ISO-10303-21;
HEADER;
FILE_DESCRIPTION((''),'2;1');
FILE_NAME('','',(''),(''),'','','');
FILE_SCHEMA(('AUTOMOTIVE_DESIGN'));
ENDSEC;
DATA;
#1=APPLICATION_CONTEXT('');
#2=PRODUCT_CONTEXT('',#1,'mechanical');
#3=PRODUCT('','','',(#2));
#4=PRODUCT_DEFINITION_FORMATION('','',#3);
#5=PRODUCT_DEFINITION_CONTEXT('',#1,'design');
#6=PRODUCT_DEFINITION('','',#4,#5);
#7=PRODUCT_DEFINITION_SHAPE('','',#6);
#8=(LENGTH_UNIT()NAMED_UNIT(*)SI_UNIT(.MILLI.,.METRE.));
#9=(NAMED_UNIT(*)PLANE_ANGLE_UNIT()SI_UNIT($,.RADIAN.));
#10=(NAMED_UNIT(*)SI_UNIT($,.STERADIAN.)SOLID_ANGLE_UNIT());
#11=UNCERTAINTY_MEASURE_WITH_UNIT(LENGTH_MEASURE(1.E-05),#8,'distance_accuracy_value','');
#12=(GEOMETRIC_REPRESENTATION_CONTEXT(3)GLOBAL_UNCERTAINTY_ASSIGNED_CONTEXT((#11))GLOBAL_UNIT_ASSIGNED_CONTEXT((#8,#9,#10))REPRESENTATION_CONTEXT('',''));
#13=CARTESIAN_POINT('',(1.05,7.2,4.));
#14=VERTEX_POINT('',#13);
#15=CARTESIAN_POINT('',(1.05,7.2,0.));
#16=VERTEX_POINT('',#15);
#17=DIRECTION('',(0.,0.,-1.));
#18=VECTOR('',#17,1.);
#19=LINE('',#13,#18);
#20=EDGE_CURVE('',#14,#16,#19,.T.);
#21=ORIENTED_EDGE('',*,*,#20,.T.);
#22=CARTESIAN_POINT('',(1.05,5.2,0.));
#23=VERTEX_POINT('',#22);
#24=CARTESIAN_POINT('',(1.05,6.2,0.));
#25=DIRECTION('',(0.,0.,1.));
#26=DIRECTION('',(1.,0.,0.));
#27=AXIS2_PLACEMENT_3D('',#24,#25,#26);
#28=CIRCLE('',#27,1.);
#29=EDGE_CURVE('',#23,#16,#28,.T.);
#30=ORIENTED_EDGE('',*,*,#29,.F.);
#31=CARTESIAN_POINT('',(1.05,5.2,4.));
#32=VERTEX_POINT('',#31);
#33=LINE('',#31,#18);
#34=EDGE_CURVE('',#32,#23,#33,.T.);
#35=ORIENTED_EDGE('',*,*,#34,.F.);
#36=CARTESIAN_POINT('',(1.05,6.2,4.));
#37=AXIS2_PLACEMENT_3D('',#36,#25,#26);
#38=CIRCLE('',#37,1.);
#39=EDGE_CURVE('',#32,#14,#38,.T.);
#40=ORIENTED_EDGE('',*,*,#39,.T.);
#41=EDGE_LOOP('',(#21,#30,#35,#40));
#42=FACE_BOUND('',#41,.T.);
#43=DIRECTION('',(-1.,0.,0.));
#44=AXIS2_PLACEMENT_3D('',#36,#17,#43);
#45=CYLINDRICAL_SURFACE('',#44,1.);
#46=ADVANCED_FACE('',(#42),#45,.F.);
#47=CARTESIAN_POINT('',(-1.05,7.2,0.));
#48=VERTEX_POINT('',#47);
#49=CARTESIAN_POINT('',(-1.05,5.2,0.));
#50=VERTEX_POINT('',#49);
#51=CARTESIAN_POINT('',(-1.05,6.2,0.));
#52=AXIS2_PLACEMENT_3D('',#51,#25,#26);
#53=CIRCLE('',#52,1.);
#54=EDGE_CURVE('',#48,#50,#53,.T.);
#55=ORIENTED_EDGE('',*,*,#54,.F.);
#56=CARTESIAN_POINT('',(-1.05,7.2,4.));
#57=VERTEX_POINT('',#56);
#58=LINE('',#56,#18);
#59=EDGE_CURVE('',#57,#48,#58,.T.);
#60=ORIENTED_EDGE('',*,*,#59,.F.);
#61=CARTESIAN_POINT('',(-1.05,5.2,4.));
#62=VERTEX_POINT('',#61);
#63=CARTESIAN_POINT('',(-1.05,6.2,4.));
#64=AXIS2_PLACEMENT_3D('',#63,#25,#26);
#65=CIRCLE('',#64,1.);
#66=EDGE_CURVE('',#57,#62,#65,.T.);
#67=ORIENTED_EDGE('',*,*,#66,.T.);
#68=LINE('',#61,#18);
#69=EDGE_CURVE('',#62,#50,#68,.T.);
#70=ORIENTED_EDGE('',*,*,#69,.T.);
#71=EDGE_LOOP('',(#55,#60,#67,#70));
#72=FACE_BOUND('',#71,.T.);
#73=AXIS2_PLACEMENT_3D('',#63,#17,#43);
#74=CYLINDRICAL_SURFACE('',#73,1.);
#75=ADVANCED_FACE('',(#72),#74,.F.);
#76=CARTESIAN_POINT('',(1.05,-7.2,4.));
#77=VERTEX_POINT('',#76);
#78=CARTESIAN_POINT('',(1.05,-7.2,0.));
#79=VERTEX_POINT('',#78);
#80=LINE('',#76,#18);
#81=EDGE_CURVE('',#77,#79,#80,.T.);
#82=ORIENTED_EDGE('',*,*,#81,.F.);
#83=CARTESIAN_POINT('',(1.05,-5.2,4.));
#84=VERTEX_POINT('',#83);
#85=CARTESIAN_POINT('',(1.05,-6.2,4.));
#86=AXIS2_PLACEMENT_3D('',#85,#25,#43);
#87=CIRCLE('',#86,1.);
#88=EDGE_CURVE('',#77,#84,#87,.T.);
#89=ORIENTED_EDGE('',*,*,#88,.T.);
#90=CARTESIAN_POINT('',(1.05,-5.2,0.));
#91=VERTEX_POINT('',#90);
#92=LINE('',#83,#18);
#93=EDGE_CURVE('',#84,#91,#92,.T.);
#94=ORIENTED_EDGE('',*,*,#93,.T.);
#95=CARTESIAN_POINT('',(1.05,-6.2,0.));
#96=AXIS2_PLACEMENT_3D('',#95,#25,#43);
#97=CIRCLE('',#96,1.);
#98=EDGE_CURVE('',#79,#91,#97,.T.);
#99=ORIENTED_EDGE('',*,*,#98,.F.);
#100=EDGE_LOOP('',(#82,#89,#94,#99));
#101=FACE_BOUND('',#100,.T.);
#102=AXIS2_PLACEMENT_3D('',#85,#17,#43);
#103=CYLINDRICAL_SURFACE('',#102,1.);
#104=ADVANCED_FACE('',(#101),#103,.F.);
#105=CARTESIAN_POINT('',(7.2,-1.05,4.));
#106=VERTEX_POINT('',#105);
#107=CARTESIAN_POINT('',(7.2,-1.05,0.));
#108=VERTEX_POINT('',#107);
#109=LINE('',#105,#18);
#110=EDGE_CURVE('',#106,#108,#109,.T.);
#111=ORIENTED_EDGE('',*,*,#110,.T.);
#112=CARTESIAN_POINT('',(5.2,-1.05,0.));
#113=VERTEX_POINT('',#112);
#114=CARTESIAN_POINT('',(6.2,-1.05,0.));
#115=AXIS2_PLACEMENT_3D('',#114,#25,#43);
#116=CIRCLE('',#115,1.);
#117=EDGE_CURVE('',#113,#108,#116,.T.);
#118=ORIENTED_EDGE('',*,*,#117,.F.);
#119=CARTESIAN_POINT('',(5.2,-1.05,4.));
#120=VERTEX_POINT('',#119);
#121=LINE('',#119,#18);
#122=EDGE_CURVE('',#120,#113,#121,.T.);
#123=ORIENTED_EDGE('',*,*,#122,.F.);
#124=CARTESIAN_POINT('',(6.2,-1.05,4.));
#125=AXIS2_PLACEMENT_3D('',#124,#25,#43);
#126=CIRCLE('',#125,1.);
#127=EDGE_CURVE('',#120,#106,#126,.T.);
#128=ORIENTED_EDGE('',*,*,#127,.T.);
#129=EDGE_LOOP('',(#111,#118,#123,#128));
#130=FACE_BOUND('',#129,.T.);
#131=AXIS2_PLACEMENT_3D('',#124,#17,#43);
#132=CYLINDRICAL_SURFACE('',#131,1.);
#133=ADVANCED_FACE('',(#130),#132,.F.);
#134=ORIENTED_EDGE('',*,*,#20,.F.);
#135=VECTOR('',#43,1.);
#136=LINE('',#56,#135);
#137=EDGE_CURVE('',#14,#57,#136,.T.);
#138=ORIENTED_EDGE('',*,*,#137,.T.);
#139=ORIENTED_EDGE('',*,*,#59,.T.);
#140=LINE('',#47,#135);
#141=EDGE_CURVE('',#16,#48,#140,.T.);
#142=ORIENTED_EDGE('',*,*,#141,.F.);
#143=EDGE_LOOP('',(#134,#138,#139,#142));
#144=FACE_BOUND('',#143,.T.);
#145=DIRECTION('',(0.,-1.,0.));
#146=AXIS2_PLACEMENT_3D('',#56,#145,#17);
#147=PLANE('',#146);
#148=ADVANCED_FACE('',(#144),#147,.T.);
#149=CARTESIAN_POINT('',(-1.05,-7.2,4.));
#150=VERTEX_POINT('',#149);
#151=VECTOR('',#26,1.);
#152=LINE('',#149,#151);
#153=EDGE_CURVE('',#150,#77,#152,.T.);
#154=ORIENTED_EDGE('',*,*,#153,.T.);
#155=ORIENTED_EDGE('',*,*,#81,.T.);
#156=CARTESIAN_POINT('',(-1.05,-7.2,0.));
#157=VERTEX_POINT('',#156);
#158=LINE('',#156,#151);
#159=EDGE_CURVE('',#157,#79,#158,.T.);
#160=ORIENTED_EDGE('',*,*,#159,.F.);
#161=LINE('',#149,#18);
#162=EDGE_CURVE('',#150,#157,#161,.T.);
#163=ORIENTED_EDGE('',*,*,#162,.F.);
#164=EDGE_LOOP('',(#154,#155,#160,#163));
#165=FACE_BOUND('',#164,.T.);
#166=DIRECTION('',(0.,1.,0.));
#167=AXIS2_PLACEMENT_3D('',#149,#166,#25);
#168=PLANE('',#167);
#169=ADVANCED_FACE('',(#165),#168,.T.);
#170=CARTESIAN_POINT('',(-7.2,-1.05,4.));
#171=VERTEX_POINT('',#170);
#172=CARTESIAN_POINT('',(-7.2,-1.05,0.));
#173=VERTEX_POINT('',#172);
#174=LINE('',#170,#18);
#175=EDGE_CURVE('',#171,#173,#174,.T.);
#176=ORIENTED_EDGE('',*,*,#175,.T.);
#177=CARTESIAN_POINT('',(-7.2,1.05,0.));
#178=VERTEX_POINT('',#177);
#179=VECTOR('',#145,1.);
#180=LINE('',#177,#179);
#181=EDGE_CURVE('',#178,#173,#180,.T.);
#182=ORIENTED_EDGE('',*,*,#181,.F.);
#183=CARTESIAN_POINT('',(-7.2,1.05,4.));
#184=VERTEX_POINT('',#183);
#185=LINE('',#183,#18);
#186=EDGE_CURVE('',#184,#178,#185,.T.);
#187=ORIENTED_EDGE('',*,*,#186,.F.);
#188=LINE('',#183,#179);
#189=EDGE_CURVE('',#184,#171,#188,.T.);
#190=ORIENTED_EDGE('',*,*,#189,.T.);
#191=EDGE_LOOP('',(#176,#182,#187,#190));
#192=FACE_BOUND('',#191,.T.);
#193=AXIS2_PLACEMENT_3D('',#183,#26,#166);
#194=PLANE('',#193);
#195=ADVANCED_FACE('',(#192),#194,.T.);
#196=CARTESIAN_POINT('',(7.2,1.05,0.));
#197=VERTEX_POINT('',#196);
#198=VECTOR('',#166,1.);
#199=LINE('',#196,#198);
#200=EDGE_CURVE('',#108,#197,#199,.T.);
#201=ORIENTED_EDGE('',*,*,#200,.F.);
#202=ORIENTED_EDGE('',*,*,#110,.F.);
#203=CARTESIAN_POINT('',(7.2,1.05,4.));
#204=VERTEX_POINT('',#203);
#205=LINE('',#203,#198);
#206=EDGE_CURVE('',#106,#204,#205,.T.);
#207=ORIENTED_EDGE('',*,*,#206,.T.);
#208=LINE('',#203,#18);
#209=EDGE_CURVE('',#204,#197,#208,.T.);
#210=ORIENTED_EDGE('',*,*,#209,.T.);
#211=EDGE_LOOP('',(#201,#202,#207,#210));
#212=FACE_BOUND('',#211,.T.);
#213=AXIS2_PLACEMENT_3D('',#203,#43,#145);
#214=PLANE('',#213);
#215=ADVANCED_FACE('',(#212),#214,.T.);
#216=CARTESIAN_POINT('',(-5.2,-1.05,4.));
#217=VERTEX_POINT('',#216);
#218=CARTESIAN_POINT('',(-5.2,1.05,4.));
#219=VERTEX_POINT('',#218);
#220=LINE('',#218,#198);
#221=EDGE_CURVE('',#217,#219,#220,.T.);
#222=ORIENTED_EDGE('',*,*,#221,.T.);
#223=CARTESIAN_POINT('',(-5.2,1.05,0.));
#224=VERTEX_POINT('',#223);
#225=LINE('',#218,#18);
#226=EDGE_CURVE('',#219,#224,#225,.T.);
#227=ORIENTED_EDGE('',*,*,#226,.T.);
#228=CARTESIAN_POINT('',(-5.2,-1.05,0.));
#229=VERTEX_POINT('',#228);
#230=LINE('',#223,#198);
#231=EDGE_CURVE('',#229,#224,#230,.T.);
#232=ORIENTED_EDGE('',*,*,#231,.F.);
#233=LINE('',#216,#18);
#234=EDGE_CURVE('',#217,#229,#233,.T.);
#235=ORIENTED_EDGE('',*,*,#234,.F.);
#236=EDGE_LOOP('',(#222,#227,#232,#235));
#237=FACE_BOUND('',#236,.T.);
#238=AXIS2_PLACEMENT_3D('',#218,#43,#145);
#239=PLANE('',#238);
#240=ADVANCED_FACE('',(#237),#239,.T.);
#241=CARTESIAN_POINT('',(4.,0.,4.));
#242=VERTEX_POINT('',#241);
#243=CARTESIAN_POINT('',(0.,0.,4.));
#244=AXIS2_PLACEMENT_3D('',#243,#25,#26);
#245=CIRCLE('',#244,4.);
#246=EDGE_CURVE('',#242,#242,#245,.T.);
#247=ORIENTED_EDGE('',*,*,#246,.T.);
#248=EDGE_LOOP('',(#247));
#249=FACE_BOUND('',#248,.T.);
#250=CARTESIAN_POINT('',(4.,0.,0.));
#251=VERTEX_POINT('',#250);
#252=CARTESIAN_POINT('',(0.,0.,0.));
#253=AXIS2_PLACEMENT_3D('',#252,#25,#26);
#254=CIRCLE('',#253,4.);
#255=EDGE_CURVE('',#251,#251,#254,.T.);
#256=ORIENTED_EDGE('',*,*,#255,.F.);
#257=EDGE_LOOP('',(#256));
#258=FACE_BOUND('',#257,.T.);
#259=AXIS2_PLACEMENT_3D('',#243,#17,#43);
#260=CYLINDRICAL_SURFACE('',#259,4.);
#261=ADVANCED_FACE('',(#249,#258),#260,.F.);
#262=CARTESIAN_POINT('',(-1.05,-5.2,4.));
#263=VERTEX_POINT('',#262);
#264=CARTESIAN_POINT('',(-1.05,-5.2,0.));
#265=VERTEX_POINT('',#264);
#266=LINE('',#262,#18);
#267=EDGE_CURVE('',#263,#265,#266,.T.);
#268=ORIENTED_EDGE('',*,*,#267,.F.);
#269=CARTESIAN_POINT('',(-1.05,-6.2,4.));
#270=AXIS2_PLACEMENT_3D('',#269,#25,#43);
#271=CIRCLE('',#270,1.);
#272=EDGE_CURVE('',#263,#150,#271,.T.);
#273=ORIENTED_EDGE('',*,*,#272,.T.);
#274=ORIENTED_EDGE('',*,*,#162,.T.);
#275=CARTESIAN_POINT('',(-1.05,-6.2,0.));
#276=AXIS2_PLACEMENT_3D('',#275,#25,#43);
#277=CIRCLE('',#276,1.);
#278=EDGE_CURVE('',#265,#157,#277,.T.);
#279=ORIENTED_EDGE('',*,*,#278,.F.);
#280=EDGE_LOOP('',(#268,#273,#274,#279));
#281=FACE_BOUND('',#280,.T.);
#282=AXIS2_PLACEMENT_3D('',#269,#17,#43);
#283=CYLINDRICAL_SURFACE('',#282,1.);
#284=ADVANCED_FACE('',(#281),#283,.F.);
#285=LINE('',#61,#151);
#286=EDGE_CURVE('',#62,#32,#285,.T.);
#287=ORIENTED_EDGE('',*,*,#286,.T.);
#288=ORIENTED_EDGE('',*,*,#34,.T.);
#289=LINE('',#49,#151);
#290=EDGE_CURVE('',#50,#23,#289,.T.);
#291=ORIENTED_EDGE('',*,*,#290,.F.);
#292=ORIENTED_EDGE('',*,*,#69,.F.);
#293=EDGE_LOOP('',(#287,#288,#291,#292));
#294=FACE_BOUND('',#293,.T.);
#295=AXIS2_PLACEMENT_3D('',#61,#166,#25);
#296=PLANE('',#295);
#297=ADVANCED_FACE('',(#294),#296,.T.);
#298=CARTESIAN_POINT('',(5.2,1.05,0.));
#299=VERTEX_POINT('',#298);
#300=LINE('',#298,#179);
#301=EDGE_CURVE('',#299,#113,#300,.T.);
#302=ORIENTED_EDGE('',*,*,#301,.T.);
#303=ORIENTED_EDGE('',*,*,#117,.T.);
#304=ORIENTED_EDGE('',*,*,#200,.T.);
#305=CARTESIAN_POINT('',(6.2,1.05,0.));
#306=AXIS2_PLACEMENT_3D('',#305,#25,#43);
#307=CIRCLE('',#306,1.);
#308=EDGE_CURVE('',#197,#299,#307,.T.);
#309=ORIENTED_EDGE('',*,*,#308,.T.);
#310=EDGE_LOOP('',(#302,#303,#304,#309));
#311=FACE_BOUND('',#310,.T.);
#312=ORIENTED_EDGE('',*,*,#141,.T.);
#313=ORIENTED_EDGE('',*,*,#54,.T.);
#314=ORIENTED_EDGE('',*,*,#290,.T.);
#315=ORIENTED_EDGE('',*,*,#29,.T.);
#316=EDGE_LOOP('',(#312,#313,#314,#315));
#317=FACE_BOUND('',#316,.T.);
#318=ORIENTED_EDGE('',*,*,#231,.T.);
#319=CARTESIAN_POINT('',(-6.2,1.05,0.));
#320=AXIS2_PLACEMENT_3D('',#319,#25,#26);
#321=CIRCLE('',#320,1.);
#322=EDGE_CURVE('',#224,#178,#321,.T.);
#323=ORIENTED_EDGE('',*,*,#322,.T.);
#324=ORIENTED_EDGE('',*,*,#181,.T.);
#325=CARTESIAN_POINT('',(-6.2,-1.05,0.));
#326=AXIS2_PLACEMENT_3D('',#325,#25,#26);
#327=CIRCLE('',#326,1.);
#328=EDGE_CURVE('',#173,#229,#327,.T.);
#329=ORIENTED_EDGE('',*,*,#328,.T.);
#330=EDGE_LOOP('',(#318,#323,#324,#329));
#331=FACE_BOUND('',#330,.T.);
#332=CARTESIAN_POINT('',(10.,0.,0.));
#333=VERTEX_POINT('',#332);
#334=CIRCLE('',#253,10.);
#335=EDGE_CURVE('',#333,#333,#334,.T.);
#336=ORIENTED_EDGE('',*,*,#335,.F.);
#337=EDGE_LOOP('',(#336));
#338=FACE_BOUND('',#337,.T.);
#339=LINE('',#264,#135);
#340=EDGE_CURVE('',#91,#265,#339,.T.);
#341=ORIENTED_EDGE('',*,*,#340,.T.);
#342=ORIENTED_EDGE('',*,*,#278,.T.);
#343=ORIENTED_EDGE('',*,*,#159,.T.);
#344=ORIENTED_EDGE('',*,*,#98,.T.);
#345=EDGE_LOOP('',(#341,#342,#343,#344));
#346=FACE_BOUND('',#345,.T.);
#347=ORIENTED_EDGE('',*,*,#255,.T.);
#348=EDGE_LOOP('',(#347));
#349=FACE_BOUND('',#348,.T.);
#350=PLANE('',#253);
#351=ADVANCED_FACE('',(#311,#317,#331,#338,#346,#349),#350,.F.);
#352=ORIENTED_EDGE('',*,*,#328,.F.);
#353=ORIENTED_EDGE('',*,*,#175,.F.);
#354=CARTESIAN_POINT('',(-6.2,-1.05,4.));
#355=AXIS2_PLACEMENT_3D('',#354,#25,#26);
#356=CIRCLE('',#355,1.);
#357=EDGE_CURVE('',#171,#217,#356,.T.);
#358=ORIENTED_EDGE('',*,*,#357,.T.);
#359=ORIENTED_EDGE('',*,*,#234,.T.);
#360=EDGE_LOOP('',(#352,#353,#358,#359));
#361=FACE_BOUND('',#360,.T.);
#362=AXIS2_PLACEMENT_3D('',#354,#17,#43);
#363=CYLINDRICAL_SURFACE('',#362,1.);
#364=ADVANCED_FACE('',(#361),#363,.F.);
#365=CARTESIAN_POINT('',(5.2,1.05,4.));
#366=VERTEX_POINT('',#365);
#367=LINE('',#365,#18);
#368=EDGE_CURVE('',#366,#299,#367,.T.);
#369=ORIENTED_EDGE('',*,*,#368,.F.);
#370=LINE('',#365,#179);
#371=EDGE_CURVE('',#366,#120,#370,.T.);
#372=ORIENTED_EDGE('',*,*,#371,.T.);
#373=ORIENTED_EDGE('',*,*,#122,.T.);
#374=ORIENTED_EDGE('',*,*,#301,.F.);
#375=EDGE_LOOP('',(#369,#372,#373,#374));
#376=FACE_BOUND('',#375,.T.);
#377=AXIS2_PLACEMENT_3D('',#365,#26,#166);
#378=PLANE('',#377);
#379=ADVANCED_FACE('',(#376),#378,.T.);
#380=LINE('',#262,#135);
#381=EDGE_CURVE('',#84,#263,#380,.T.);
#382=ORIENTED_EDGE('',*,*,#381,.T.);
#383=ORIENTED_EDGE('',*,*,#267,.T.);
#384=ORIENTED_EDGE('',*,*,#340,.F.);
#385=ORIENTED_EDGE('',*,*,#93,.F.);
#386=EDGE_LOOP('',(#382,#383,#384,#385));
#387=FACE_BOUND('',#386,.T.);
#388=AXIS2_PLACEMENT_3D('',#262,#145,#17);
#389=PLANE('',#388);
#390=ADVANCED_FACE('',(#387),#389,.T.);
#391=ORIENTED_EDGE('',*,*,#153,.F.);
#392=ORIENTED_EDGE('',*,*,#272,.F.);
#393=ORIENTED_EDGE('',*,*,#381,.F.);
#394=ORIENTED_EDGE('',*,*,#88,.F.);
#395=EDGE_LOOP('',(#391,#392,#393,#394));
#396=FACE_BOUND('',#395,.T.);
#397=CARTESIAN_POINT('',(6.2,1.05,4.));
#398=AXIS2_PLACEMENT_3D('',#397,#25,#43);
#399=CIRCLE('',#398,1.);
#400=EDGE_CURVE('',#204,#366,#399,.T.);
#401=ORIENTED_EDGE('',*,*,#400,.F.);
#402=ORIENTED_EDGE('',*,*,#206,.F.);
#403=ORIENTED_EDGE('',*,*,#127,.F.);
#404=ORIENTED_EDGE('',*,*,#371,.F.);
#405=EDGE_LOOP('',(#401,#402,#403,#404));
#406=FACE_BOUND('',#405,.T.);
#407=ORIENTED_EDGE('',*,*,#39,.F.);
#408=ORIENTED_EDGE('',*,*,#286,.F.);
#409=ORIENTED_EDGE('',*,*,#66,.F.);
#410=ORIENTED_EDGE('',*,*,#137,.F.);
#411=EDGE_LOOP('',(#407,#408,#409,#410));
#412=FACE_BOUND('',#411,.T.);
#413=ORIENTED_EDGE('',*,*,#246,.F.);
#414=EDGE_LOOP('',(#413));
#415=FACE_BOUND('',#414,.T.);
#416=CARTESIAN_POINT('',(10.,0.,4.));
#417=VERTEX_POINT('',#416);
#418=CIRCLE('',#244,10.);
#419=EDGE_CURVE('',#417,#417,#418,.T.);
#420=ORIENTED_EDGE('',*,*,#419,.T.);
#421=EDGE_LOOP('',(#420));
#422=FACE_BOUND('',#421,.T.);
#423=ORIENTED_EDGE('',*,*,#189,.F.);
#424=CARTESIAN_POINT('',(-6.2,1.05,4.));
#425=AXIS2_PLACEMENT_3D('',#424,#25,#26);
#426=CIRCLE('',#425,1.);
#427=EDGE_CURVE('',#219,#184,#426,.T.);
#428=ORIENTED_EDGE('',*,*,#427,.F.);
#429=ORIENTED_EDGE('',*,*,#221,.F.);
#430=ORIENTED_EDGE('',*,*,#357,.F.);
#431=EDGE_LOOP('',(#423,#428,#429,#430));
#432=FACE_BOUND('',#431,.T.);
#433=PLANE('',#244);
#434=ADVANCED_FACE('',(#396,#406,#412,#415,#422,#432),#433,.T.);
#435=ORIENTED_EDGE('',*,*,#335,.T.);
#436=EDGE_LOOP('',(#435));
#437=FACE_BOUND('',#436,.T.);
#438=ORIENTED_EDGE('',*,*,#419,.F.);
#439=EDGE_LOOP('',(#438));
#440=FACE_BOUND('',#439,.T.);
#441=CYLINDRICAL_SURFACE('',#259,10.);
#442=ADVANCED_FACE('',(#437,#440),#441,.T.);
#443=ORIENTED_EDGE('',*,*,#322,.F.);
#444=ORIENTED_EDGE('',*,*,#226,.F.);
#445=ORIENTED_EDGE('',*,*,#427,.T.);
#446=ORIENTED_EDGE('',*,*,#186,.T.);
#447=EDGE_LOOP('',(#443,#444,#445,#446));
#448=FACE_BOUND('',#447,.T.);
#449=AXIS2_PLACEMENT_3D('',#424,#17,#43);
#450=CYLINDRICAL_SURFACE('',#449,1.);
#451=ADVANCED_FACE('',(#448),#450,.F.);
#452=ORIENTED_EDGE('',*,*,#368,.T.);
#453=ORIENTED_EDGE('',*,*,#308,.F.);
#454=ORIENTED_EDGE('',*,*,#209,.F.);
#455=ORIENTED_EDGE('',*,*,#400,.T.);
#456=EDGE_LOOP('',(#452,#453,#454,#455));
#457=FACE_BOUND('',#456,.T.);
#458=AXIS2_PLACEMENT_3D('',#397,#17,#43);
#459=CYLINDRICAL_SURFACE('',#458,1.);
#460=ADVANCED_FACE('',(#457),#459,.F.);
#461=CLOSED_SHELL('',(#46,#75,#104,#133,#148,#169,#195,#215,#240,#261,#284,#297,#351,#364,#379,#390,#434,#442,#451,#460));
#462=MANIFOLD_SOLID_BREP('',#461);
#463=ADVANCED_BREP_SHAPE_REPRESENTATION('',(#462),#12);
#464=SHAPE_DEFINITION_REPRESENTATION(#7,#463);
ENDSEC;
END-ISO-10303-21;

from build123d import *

# Parameters (mm, degrees)
SKETCH_1_R          = 10
EXTRUDE_1_DEPTH     = 4
SKETCH_2_R          = 4
CUT_EXTRUDE_1_DEPTH = 4


with BuildPart() as part:
    # 草圖1 → 填料-伸長1 (new body)
    with BuildSketch(Plane.XY):
        Circle(SKETCH_1_R)
    extrude(amount=EXTRUDE_1_DEPTH)

    # 草圖2 → 除料-伸長1 (cut)
    with BuildSketch(Plane.XY):
        Circle(SKETCH_2_R)
        with BuildLine():
            Line((-1.05, 7.2), (1.05, 7.2))
            ThreePointArc((1.05, 7.2), (2.05, 6.2), (1.05, 5.2))
            Line((1.05, 5.2), (-1.05, 5.2))
            ThreePointArc((-1.05, 5.2), (-2.05, 6.2), (-1.05, 7.2))
        make_face()
        with BuildLine():
            Line((-5.2, 1.05), (-5.2, -1.05))
            ThreePointArc((-5.2, -1.05), (-6.2, -2.05), (-7.2, -1.05))
            Line((-7.2, -1.05), (-7.2, 1.05))
            ThreePointArc((-7.2, 1.05), (-6.2, 2.05), (-5.2, 1.05))
        make_face()
        with BuildLine():
            Line((5.2, 1.05), (5.2, -1.05))
            ThreePointArc((5.2, -1.05), (6.2, -2.05), (7.2, -1.05))
            Line((7.2, -1.05), (7.2, 1.05))
            ThreePointArc((7.2, 1.05), (6.2, 2.05), (5.2, 1.05))
        make_face()
        with BuildLine():
            Line((-1.05, -7.2), (1.05, -7.2))
            ThreePointArc((1.05, -7.2), (2.05, -6.2), (1.05, -5.2))
            Line((1.05, -5.2), (-1.05, -5.2))
            ThreePointArc((-1.05, -5.2), (-2.05, -6.2), (-1.05, -7.2))
        make_face()
    extrude(amount=CUT_EXTRUDE_1_DEPTH, mode=Mode.SUBTRACT)


solid = part.part
